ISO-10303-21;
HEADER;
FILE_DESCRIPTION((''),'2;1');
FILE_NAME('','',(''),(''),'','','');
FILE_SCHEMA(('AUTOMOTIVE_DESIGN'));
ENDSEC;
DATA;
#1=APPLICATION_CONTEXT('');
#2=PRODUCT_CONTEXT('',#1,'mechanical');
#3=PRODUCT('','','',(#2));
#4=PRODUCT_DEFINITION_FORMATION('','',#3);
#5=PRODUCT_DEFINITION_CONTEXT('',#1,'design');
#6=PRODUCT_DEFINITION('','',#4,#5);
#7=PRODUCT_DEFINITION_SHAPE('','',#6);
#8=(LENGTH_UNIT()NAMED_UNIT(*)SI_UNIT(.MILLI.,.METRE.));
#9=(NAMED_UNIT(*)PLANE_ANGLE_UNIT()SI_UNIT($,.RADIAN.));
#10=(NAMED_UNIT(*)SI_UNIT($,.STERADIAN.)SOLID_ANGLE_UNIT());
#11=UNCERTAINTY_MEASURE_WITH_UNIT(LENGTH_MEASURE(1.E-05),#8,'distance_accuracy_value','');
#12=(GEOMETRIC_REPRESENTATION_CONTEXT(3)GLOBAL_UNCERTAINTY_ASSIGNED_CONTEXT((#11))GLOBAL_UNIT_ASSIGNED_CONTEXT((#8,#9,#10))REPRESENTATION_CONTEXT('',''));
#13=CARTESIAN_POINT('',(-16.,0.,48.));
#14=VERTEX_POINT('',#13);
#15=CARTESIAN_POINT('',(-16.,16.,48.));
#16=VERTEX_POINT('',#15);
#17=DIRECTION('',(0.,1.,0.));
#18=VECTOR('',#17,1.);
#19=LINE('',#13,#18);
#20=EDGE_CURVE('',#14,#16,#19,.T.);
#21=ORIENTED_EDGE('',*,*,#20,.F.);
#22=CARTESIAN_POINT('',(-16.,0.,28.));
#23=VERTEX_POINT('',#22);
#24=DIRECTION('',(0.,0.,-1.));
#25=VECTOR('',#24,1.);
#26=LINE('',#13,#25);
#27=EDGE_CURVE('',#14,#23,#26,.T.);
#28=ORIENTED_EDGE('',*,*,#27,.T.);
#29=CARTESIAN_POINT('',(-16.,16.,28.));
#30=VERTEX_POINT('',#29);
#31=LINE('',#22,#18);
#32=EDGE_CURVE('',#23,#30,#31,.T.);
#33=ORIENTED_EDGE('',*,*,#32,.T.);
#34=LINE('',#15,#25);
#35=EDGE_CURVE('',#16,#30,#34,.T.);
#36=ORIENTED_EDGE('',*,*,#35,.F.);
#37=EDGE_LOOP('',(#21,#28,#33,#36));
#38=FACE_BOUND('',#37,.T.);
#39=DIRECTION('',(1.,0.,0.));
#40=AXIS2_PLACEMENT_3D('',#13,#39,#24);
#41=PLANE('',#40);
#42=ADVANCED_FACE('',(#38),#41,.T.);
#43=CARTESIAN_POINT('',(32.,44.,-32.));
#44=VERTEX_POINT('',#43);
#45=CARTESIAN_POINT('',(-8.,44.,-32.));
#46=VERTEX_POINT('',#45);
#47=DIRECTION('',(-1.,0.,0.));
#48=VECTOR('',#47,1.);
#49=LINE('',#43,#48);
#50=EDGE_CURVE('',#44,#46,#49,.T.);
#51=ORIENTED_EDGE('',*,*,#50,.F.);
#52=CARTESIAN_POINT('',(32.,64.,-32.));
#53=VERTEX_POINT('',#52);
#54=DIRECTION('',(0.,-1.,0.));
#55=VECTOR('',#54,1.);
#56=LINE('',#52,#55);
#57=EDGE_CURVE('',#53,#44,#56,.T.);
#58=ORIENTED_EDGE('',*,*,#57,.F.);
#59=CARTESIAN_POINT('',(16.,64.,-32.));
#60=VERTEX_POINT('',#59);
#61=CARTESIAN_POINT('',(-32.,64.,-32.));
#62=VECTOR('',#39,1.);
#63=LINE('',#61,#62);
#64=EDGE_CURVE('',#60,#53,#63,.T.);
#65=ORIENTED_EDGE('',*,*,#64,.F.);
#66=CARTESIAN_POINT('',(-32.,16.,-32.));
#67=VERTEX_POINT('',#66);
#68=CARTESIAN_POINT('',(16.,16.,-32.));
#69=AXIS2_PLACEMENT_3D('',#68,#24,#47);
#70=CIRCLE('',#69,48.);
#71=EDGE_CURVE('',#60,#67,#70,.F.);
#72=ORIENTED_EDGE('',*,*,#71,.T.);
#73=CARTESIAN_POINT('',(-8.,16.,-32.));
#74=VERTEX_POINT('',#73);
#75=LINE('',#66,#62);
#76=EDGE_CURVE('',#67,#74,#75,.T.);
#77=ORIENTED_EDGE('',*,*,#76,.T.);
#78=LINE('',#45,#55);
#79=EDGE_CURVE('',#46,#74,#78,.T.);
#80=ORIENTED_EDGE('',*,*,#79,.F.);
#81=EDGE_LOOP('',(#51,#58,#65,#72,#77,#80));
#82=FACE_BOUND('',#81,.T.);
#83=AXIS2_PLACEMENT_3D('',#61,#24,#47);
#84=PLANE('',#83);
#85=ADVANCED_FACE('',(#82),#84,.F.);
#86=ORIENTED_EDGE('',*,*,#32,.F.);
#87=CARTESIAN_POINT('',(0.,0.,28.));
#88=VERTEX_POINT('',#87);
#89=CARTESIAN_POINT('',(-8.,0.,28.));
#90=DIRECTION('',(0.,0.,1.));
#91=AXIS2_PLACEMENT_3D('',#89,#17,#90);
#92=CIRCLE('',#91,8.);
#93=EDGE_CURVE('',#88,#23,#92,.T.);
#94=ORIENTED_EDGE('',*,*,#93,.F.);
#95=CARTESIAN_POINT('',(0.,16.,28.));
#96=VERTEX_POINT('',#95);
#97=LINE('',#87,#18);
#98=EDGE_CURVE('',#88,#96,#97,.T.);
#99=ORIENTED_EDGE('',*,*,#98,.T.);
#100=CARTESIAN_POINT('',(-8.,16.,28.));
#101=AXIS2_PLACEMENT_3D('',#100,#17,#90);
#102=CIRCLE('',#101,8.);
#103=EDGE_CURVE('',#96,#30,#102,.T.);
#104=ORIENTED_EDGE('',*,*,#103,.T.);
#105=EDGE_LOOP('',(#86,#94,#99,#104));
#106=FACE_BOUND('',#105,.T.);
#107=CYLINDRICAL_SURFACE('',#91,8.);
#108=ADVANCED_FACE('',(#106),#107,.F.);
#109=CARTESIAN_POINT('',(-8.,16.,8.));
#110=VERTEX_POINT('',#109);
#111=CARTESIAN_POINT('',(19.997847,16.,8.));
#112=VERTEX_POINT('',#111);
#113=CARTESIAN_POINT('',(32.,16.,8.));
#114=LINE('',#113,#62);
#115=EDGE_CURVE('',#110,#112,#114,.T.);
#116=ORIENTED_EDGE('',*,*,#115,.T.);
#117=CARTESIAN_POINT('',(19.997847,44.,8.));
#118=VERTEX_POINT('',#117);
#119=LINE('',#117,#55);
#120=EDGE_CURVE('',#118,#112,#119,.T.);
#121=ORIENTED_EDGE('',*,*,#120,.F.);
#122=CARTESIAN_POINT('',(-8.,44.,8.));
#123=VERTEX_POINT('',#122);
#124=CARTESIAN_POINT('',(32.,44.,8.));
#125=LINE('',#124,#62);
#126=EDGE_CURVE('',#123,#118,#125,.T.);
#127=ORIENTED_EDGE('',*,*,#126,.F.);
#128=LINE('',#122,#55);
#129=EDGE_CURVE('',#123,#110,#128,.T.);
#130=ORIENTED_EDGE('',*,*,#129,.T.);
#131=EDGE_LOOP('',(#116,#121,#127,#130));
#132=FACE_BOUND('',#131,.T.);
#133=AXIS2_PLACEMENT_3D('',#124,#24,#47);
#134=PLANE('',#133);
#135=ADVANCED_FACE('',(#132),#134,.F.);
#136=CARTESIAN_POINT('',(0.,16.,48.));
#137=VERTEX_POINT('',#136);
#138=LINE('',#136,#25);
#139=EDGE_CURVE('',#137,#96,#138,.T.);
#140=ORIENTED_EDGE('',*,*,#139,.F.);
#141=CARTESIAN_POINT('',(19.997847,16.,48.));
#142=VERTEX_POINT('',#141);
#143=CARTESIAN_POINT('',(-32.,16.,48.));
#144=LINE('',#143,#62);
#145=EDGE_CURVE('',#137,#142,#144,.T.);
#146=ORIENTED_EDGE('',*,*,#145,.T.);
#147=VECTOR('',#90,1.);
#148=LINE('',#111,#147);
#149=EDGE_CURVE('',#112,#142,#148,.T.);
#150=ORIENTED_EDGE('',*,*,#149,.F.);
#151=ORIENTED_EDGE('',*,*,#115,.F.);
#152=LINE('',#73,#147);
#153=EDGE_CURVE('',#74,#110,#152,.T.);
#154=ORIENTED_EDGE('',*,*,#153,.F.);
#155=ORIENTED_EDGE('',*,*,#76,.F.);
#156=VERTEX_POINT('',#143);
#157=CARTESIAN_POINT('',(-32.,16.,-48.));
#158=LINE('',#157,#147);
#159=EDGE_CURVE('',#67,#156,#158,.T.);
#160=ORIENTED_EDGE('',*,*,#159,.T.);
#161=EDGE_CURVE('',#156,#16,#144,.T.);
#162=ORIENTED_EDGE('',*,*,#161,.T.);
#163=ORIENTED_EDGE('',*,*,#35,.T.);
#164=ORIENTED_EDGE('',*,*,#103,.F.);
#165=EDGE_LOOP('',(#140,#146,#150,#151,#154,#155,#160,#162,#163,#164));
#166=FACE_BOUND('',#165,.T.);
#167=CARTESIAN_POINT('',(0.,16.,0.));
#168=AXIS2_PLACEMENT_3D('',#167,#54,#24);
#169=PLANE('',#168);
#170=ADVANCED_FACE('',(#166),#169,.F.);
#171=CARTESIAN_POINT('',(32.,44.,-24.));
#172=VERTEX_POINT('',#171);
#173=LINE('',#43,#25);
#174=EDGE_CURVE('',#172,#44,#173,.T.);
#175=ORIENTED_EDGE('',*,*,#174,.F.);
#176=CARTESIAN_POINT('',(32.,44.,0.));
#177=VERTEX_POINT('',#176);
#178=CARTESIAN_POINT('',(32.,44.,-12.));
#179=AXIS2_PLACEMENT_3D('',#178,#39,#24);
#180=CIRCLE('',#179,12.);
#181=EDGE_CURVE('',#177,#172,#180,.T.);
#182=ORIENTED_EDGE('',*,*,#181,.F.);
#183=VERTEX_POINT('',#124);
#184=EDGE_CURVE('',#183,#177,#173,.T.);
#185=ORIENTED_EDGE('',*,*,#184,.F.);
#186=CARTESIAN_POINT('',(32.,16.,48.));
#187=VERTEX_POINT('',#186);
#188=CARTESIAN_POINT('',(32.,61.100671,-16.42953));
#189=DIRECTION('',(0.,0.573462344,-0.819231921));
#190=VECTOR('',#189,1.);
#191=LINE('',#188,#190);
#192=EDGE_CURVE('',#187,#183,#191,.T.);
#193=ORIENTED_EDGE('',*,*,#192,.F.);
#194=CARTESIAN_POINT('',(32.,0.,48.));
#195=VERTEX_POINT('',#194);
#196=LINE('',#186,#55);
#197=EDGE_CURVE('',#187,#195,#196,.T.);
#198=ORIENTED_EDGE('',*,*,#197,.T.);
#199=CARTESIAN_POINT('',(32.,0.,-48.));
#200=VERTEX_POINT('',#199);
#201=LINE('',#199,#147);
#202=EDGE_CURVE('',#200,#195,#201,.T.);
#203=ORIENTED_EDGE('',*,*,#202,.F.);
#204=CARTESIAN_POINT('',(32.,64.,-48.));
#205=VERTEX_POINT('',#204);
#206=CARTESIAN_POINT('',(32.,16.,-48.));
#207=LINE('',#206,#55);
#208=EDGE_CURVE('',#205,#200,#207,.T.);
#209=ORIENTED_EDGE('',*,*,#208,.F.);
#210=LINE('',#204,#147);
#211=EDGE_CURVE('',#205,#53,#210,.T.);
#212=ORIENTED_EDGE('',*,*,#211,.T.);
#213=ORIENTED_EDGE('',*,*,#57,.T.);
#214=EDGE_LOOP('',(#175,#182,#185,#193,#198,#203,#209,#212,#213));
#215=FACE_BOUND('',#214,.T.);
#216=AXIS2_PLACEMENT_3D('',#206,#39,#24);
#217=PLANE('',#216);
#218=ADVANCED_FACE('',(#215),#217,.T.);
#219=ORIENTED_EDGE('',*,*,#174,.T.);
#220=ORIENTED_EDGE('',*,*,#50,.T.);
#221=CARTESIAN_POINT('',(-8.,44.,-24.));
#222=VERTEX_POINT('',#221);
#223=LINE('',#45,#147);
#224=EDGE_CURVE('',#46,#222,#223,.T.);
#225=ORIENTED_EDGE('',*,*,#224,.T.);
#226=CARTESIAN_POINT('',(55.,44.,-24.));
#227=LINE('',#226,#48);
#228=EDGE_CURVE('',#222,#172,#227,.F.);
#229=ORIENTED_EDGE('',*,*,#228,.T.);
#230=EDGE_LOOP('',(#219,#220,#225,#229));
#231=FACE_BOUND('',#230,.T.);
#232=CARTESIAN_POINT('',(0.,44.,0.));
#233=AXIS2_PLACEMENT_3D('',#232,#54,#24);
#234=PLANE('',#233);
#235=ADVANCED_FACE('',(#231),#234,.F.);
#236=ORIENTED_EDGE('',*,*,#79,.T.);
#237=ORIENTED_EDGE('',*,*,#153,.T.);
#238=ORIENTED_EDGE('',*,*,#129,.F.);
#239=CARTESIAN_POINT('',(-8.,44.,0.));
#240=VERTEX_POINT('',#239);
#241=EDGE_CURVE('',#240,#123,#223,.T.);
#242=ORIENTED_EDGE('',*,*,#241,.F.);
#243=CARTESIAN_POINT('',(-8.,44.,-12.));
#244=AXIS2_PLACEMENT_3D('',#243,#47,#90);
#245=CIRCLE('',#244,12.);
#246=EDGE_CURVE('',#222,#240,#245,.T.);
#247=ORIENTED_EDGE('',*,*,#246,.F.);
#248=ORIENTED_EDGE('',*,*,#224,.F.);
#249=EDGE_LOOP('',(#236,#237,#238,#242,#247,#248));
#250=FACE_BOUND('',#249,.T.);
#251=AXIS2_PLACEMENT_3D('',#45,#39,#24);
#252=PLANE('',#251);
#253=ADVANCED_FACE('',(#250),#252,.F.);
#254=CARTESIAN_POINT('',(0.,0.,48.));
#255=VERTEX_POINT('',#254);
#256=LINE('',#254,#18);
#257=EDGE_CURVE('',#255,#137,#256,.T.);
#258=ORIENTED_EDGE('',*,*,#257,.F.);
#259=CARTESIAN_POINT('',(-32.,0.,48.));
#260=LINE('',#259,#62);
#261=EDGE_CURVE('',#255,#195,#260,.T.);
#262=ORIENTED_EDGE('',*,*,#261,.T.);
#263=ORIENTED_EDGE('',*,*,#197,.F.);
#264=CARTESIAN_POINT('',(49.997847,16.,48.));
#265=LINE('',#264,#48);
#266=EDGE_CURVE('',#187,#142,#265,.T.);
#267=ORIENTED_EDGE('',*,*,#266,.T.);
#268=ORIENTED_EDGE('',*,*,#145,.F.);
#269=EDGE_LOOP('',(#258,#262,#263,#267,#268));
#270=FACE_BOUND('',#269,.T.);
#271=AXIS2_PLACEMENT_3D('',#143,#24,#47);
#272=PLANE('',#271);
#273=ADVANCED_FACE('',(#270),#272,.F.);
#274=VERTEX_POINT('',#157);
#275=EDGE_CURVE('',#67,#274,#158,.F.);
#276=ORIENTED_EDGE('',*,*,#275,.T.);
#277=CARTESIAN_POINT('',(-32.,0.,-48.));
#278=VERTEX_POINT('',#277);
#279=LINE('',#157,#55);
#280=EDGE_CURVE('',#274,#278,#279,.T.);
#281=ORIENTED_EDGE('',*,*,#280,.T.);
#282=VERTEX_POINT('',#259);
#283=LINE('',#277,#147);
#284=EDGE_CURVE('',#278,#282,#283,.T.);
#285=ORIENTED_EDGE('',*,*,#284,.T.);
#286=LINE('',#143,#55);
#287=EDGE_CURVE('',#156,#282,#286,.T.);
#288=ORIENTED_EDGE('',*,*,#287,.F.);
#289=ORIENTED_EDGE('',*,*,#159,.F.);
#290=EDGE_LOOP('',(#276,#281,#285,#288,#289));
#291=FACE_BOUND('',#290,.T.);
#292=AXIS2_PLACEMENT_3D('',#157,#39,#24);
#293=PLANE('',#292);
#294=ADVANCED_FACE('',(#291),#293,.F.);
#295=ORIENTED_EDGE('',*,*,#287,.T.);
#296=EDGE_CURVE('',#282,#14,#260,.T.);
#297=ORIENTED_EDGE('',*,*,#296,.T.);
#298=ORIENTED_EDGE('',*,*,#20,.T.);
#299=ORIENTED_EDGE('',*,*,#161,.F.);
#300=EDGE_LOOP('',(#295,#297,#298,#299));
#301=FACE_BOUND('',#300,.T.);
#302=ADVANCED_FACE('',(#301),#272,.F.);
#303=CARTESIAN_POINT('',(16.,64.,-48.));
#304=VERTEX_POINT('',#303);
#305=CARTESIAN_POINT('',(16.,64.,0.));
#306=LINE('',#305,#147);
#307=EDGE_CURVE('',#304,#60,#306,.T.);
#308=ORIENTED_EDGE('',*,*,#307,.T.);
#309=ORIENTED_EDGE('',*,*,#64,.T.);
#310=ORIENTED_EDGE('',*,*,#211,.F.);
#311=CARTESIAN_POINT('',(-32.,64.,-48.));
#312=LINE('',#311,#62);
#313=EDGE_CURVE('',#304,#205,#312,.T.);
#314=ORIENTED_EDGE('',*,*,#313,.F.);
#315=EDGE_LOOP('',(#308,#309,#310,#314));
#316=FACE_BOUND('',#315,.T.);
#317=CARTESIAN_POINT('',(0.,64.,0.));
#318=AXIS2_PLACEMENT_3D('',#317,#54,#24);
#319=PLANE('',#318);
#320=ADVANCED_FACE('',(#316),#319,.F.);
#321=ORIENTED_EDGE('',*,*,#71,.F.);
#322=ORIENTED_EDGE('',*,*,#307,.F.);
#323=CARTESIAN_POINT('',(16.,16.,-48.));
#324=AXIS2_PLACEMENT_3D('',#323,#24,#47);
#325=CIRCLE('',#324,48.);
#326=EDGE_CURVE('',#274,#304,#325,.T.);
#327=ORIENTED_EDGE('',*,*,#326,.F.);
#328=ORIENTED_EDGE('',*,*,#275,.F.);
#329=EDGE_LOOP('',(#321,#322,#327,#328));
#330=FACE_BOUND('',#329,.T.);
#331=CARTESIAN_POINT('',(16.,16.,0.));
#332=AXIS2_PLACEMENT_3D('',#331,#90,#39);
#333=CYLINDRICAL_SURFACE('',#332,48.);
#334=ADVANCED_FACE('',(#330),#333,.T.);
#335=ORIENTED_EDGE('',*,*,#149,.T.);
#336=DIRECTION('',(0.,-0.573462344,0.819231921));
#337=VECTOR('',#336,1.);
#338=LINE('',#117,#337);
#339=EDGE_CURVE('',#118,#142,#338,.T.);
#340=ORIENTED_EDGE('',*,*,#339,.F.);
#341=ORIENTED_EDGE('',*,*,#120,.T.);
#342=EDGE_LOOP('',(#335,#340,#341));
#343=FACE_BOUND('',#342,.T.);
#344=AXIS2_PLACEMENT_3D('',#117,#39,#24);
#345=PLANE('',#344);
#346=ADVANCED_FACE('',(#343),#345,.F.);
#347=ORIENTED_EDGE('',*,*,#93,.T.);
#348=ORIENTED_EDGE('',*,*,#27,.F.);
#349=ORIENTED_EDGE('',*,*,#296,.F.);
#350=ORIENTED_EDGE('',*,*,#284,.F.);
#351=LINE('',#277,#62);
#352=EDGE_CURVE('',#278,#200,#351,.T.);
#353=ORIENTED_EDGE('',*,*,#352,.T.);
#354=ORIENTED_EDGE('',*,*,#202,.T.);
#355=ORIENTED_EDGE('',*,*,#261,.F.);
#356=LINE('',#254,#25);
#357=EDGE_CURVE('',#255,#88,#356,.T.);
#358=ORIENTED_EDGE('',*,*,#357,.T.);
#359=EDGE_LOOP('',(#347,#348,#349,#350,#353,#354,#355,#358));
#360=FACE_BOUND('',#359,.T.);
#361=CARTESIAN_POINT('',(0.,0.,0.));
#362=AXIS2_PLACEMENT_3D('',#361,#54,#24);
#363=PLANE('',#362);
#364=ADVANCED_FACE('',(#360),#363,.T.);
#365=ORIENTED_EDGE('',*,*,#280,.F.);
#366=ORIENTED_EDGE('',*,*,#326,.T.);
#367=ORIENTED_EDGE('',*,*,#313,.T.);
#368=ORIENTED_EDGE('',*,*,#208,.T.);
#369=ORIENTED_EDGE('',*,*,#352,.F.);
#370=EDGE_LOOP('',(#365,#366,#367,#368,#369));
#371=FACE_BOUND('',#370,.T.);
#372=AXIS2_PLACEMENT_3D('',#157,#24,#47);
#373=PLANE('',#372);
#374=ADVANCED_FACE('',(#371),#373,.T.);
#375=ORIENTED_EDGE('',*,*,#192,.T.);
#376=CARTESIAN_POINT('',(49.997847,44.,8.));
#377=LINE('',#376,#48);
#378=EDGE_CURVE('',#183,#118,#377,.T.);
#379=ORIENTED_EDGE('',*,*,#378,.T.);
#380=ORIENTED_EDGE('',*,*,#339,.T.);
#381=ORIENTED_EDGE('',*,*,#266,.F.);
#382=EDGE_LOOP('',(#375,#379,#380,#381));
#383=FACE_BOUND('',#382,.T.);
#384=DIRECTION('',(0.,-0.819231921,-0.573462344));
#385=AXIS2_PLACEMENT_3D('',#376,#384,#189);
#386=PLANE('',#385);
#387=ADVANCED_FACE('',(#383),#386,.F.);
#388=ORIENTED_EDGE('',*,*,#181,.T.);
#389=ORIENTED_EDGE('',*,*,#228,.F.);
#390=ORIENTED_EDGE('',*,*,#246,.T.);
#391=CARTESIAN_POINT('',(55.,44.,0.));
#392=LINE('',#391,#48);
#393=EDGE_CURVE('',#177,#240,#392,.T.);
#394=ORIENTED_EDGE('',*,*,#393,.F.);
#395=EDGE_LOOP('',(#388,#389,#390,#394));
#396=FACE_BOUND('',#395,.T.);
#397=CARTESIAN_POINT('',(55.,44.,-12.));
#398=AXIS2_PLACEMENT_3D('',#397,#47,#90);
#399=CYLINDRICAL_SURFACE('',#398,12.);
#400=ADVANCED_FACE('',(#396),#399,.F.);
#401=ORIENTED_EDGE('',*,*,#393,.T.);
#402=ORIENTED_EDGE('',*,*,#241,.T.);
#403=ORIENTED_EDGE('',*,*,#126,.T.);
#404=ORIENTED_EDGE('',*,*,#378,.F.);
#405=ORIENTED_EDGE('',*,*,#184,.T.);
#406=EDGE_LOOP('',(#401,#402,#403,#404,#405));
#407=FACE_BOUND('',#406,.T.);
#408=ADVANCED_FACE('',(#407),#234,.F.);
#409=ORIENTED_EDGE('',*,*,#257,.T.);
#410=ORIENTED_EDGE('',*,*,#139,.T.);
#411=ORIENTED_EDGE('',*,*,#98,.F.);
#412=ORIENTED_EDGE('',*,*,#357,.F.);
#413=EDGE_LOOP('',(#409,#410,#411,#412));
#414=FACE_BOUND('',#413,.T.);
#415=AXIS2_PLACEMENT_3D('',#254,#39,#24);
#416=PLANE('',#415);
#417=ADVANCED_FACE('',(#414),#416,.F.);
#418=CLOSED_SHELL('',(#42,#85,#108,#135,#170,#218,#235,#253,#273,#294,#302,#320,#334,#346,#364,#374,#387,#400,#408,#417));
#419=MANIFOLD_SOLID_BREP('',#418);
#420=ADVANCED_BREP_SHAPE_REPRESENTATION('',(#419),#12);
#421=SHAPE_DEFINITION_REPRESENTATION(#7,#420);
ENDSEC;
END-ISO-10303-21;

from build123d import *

# Parameters (mm, degrees)
SKETCH2_W           = 64
SKETCH2_H           = 96
BOSS_EXTRUDE1_DEPTH = 16
SKETCH3_W           = 64
SKETCH3_H           = 16
BOSS_EXTRUDE3_DEPTH = 48
FILLET3_R           = 48
SKETCH5_W           = 40
SKETCH5_H           = 40
BOSS_EXTRUDE4_DEPTH = 28
SKETCH6_R           = 12
CUT_EXTRUDE1_DEPTH  = 63
SKETCH7_W           = 12.002152701
SKETCH7_H           = 40
BOSS_EXTRUDE6_DEPTH = 28
CUT_EXTRUDE2_DEPTH  = 30
CUT_EXTRUDE3_DEPTH  = 17


with BuildPart() as part:
    # Sketch2 → Boss-Extrude1 (new body)
    with BuildSketch(Plane(origin=(0, 0, 0), x_dir=(1, 0, 0), z_dir=(0, 1, 0))):
        Rectangle(SKETCH2_W, SKETCH2_H)
    extrude(amount=BOSS_EXTRUDE1_DEPTH)

    # Sketch3 → Boss-Extrude3 (add)
    with BuildSketch(Plane(origin=(0, 16, 0), x_dir=(1, 0, 0), z_dir=(0, 1, 0))):
        with Locations((0, 40)):
            Rectangle(SKETCH3_W, SKETCH3_H)
    extrude(amount=BOSS_EXTRUDE3_DEPTH)

    # Fillet3
    fillet3_edges = [part.edges().sort_by_distance(p)[0] for p in [
        (-32, 64, -40),
    ]]
    fillet(fillet3_edges, radius=FILLET3_R)

    # Sketch5 → Boss-Extrude4 (add)
    with BuildSketch(Plane(origin=(0, 16, 0), x_dir=(1, 0, 0), z_dir=(0, 1, 0))):
        with Locations((12, 12)):
            Rectangle(SKETCH5_W, SKETCH5_H)
    extrude(amount=BOSS_EXTRUDE4_DEPTH)

    # Sketch6 → Cut-Extrude1 (cut)
    with BuildSketch(Plane.ZY.offset(8)):
        with Locations((-12, 44)):
            Circle(SKETCH6_R)
    extrude(amount=-CUT_EXTRUDE1_DEPTH, mode=Mode.SUBTRACT)

    # Sketch7 → Boss-Extrude6 (add)
    with BuildSketch(Plane(origin=(0, 16, 0), x_dir=(1, 0, 0), z_dir=(0, 1, 0))):
        with Locations((25.99892365, -28)):
            Rectangle(SKETCH7_W, SKETCH7_H)
    extrude(amount=BOSS_EXTRUDE6_DEPTH)

    # Sketch9 → Cut-Extrude2 (cut)
    with BuildSketch(Plane.ZY.offset(-19.997847299)):
        Polygon((8, 44), (48, 16), (48, 44), align=None)
    extrude(amount=-CUT_EXTRUDE2_DEPTH, mode=Mode.SUBTRACT)

    # Sketch10 → Cut-Extrude3 (cut, through all)
    with BuildSketch(Plane(origin=(0, 16, 0), x_dir=(1, 0, 0), z_dir=(0, 1, 0))):
        with BuildLine():
            Line((-16, -48), (-16, -28))
            ThreePointArc((-16, -28), (-8, -20), (0, -28))
            Line((0, -28), (0, -48))
            ThreePointArc((0, -48), (-8, -56), (-16, -48))
        make_face()
    extrude(amount=-CUT_EXTRUDE3_DEPTH, mode=Mode.SUBTRACT)


solid = part.part
